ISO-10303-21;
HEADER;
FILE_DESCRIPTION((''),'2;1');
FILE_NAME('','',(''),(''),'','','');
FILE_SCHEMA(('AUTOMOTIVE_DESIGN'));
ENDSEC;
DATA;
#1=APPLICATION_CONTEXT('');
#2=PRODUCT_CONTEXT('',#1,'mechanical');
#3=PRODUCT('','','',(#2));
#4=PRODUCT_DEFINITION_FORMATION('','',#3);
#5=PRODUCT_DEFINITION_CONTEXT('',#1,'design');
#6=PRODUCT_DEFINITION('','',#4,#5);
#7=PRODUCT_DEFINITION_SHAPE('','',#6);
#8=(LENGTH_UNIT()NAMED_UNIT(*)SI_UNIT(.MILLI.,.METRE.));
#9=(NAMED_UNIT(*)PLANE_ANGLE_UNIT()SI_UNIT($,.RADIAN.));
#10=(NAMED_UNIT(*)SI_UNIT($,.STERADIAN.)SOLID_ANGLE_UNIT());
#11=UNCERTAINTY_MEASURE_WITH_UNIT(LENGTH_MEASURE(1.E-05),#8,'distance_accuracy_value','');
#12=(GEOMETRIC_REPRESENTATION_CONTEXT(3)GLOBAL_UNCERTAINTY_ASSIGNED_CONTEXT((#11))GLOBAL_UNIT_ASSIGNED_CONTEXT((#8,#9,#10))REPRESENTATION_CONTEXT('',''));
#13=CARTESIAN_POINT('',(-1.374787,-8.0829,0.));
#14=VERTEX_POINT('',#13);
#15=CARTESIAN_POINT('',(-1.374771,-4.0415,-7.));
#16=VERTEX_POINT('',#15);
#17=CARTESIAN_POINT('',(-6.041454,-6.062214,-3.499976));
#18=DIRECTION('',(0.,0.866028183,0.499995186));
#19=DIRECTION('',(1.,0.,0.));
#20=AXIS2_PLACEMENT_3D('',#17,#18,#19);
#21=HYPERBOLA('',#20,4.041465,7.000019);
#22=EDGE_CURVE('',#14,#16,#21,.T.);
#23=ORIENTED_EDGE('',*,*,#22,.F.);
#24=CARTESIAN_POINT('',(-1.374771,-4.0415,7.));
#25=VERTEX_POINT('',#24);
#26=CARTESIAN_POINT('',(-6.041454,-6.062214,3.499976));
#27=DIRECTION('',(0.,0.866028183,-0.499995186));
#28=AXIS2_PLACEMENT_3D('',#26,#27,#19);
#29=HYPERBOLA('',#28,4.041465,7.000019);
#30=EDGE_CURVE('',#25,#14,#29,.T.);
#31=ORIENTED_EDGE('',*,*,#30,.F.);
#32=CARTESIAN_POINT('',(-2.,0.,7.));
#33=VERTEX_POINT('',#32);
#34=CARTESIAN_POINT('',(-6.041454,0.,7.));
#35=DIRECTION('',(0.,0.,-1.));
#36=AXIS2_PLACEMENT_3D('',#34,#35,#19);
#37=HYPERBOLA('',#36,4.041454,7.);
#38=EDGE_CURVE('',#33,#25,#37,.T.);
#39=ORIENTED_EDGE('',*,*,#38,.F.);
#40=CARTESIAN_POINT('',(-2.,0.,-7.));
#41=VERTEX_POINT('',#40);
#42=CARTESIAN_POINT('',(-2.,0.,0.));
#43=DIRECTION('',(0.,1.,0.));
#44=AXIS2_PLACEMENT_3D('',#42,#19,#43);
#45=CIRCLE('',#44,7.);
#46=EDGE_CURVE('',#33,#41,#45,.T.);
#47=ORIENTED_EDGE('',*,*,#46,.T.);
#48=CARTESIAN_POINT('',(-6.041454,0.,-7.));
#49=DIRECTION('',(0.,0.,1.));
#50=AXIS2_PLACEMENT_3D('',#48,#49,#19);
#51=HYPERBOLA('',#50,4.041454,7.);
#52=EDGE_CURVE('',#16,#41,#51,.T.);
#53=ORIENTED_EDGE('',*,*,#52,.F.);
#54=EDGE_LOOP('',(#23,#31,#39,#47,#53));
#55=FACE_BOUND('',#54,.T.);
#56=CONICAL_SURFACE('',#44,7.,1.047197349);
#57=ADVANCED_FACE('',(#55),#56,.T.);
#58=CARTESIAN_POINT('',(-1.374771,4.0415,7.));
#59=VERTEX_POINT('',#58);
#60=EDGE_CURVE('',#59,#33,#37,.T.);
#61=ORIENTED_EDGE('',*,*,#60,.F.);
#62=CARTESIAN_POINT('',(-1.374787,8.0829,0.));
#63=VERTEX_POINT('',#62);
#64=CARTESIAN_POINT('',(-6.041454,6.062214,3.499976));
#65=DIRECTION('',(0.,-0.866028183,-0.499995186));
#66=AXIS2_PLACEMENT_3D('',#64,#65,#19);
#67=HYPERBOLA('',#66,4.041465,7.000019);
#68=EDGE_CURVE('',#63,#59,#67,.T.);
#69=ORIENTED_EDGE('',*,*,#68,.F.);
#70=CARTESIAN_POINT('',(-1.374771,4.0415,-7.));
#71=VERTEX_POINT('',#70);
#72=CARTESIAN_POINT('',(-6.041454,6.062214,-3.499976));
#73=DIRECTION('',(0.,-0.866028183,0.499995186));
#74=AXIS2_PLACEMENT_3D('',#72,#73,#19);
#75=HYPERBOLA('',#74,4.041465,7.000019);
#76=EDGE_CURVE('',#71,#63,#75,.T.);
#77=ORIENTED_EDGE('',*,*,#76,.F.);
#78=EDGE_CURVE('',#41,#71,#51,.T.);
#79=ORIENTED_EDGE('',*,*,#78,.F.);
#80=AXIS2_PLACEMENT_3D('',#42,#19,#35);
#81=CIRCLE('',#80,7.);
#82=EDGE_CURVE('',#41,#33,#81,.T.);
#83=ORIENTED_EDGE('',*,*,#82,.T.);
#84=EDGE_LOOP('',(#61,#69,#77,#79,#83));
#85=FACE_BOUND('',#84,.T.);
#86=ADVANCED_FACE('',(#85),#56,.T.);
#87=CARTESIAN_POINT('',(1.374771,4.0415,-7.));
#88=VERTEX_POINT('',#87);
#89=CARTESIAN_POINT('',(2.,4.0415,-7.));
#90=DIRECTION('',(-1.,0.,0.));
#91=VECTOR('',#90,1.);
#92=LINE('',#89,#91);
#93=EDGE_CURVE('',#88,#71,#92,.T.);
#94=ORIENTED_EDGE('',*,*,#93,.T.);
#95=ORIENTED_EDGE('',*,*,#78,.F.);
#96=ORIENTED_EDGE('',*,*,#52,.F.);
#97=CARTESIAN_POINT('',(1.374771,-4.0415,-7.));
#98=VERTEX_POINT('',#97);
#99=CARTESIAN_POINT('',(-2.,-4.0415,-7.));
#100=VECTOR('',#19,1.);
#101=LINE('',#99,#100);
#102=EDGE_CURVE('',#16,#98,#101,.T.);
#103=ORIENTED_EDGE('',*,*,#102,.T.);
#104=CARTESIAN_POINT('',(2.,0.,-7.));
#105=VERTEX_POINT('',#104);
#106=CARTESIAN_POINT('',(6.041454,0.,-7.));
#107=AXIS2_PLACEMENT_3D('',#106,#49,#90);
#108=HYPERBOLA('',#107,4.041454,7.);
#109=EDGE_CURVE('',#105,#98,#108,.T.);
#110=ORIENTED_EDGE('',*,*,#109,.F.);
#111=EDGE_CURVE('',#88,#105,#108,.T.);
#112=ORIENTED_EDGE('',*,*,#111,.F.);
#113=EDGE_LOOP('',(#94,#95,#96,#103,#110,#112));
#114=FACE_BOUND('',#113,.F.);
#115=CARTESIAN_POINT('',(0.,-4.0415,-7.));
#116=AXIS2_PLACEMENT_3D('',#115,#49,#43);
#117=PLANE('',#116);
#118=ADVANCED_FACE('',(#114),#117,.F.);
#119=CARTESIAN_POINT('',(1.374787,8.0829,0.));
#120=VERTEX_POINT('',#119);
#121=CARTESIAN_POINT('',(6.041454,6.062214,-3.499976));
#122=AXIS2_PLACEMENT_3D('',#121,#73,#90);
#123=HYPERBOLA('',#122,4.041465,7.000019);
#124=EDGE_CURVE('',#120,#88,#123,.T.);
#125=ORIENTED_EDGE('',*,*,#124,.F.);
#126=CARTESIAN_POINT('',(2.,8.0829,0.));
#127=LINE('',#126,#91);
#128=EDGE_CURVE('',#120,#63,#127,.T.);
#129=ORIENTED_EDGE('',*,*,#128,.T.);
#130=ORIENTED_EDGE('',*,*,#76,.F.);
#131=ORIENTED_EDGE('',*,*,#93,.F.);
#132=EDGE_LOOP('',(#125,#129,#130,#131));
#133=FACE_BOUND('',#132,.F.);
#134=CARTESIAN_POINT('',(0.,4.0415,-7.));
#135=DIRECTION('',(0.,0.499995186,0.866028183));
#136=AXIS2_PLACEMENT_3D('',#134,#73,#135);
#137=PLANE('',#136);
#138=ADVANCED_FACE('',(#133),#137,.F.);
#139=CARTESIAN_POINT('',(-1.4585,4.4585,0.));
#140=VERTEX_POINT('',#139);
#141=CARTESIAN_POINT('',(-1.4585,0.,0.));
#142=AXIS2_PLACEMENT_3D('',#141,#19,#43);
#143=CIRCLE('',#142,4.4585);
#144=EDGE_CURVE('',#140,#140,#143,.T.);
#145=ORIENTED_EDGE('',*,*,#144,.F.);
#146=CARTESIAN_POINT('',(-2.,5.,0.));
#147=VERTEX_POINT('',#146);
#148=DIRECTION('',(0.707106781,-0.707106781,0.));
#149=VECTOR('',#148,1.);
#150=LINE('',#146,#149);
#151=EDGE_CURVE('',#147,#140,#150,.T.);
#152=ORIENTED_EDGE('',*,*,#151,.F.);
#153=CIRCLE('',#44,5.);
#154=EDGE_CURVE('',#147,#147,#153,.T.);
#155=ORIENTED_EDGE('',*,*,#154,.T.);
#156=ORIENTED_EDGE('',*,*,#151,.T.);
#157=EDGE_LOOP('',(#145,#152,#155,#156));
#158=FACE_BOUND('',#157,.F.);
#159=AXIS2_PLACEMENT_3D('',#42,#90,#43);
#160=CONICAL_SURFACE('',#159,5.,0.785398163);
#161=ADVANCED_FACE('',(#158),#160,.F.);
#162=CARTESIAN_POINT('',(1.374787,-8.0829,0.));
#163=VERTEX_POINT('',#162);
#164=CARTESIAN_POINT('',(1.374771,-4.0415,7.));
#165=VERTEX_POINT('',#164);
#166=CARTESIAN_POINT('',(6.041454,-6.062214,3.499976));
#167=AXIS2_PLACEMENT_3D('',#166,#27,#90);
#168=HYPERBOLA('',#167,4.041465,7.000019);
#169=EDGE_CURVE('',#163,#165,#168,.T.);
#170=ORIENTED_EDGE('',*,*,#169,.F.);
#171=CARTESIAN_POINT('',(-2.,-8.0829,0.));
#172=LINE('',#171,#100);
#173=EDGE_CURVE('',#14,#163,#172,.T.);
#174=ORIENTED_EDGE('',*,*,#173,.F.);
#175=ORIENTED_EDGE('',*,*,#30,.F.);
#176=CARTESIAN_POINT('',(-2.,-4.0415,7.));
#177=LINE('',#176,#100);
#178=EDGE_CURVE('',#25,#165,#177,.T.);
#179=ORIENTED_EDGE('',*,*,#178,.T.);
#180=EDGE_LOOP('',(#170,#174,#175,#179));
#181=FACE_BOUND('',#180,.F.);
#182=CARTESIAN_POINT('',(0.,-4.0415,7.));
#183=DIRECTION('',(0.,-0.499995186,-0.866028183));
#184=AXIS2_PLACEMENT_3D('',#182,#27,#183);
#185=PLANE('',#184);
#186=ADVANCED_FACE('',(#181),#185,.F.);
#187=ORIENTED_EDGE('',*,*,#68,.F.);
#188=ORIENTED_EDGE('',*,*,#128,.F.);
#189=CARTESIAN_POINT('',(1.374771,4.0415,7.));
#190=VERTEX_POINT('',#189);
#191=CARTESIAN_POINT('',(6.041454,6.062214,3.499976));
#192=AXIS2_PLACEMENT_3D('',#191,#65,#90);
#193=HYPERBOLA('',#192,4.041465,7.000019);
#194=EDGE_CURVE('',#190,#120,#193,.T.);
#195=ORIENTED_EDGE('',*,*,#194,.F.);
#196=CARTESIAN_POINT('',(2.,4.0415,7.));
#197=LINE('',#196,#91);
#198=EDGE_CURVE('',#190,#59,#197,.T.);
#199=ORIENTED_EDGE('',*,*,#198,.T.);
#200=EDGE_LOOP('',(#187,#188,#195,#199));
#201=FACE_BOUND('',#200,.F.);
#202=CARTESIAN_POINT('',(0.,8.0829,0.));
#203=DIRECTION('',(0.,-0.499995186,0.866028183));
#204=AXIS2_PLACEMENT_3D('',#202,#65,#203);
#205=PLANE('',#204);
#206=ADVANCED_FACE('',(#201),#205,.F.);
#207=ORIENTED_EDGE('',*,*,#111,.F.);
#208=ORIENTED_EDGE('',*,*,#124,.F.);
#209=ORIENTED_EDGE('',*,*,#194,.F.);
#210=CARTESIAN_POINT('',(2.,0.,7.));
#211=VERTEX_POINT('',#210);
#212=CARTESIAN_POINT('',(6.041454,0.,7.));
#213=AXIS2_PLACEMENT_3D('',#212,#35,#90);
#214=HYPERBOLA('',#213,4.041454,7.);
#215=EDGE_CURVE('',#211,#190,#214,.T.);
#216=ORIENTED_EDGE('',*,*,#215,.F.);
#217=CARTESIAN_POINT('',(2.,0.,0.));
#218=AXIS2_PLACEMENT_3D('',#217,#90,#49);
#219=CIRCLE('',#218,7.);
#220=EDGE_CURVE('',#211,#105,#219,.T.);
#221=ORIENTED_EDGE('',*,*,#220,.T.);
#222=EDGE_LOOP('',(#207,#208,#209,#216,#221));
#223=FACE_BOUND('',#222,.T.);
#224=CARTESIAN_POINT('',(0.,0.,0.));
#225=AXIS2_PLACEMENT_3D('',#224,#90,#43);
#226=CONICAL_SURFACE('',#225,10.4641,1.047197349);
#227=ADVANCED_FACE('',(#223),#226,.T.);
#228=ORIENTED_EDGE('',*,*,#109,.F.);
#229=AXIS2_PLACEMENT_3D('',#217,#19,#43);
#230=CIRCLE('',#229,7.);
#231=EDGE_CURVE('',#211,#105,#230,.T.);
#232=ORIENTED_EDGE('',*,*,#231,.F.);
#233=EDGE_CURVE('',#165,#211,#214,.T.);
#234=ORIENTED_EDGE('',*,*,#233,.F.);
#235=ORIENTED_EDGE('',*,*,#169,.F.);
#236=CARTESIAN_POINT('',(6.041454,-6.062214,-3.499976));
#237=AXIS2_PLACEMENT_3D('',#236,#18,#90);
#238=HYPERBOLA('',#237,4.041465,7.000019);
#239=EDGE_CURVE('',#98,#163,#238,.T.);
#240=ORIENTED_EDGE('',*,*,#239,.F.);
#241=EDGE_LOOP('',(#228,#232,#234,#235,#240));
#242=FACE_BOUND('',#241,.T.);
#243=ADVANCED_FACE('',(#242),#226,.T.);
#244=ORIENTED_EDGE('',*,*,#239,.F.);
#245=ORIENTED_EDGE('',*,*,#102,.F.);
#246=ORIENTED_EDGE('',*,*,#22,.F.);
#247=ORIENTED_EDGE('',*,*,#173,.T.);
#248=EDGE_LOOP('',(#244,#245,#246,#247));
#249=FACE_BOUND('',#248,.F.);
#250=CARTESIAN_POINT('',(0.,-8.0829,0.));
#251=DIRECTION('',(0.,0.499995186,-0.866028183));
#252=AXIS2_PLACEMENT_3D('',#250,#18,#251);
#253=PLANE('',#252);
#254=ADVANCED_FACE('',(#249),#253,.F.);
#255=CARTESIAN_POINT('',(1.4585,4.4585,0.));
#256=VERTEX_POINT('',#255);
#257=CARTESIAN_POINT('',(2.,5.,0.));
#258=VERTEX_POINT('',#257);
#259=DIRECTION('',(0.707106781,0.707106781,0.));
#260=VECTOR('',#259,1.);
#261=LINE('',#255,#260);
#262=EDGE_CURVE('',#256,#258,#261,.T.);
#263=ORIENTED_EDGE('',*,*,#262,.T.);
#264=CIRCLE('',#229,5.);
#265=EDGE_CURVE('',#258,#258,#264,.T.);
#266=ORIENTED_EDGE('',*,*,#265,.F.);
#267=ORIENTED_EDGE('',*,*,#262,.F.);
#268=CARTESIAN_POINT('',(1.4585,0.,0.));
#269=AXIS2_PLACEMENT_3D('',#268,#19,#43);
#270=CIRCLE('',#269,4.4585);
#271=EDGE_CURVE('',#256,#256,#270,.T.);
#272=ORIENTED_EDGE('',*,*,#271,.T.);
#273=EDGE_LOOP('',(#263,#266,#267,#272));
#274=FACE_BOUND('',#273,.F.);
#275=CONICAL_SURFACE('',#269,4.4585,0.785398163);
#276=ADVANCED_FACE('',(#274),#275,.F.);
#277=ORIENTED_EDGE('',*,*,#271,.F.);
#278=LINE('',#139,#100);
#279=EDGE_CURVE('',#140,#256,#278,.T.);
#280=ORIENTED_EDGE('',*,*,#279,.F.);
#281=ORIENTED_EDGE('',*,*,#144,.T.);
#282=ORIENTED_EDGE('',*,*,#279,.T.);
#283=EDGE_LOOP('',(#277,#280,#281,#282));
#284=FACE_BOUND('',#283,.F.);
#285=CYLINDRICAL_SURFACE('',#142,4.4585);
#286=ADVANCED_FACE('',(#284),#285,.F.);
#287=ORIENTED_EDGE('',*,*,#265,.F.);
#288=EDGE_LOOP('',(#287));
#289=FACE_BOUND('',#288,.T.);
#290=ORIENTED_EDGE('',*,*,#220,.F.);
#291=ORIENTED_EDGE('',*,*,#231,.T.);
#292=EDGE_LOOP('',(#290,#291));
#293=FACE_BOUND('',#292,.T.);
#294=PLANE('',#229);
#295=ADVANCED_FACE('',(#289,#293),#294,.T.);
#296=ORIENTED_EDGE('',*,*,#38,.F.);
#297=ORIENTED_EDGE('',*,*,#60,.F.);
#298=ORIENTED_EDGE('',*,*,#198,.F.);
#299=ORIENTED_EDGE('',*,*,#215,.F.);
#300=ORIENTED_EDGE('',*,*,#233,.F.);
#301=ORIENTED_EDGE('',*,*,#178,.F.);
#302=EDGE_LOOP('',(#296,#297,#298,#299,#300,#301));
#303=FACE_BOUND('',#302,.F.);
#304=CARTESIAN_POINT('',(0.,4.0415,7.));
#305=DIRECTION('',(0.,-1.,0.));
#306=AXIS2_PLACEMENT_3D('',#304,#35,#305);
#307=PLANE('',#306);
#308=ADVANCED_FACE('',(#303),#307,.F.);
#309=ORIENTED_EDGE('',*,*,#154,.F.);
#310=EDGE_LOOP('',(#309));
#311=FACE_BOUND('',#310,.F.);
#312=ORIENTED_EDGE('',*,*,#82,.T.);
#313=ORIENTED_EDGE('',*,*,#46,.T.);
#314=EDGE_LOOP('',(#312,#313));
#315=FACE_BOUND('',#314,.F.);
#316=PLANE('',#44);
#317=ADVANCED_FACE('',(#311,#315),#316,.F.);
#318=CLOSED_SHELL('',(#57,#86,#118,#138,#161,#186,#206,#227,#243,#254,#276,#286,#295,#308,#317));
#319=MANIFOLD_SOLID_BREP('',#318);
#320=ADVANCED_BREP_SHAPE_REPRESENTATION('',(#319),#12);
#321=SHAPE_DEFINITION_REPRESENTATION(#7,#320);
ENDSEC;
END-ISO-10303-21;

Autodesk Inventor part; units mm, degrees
sketch "B" plane through (0, 0, 0) normal (1, 0, 0) x (0, 1, 0)
  line L0 (-4.0415, 7) -> (-8.0829, 0)
  line L1 (-8.0829, 0) -> (-4.0415, -7)
  line L2 (-4.0415, -7) -> (4.0415, -7)
  line L3 (4.0415, -7) -> (8.0829, 0)
  line L4 (8.0829, 0) -> (4.0415, 7)
  line L5 (4.0415, 7) -> (-4.0415, 7)
extrude "Extrusion1" add sketch "B" along normal mid plane 4
sketch "Sketch_2" plane through (0, 0, 0) normal (0, 0, 1) x (1, 0, 0)
  line L0 (2, 0) -> (-2, 0)
  line L1 (-2, 0) -> (-2, 5)
  line L2 (-2, 5) -> (-1.4585, 4.4585)
  line L3 (-1.4585, 4.4585) -> (1.4585, 4.4585)
  line L4 (1.4585, 4.4585) -> (2, 5)
  line L5 (2, 5) -> (2, 0)
  line L6 (2, 0) -> (-2, 0)
revolve "Revolution1" cut sketch "Sketch_2" angle 360 about axis through (2, 0, 0) along (1, 0, 0)
thread "Thread1" size "M10x1" class "6H" standard "ISO Metric profile" full length
sketch "Sketch_3" plane through (0, 0, 0) normal (0, 0, 1) x (1, 0, 0)
  line L0 (50, 0) -> (-50, 0)
  line L1 (-7, 1) -> (-2, 1)
  line L2 (-2, 1) -> (-2, 7)
  line L3 (-2, 7) -> (0, 10.4641)
  line L4 (0, 10.4641) -> (2, 7)
  line L5 (2, 7) -> (2, 1)
  line L6 (2, 1) -> (7, 1)
  line L7 (7, 1) -> (7, 17)
  line L8 (7, 17) -> (-7, 17)
  line L9 (-7, 17) -> (-7, 1)
revolve "Revolution2" cut sketch "Sketch_3" angle 360 about axis through (50, 0, 0) along (1, 0, 0)
ref_plane "nt_XY" through (0, 0, 0) normal (1, 0, 0) x (0, 0, -1)
ref_plane "nt_YZ" through (0, 0, 0) normal (0, 0, -1) x (0, 1, 0)
ref_plane "nt_ZX" through (0, 0, 0) normal (0, 1, 0) x (1, 0, 0)
ref_plane "ntj_XY" through (2, 0, 0) normal (1, 0, 0) x (0, 0, -1)
ref_plane "ntj_YZ" through (2, 0, 0) normal (0, 0, -1) x (0, 1, 0)
ref_plane "ntj_ZX" through (2, 0, 0) normal (0, 1, 0) x (1, 0, 0)
properties part number "SNJ-016C"
